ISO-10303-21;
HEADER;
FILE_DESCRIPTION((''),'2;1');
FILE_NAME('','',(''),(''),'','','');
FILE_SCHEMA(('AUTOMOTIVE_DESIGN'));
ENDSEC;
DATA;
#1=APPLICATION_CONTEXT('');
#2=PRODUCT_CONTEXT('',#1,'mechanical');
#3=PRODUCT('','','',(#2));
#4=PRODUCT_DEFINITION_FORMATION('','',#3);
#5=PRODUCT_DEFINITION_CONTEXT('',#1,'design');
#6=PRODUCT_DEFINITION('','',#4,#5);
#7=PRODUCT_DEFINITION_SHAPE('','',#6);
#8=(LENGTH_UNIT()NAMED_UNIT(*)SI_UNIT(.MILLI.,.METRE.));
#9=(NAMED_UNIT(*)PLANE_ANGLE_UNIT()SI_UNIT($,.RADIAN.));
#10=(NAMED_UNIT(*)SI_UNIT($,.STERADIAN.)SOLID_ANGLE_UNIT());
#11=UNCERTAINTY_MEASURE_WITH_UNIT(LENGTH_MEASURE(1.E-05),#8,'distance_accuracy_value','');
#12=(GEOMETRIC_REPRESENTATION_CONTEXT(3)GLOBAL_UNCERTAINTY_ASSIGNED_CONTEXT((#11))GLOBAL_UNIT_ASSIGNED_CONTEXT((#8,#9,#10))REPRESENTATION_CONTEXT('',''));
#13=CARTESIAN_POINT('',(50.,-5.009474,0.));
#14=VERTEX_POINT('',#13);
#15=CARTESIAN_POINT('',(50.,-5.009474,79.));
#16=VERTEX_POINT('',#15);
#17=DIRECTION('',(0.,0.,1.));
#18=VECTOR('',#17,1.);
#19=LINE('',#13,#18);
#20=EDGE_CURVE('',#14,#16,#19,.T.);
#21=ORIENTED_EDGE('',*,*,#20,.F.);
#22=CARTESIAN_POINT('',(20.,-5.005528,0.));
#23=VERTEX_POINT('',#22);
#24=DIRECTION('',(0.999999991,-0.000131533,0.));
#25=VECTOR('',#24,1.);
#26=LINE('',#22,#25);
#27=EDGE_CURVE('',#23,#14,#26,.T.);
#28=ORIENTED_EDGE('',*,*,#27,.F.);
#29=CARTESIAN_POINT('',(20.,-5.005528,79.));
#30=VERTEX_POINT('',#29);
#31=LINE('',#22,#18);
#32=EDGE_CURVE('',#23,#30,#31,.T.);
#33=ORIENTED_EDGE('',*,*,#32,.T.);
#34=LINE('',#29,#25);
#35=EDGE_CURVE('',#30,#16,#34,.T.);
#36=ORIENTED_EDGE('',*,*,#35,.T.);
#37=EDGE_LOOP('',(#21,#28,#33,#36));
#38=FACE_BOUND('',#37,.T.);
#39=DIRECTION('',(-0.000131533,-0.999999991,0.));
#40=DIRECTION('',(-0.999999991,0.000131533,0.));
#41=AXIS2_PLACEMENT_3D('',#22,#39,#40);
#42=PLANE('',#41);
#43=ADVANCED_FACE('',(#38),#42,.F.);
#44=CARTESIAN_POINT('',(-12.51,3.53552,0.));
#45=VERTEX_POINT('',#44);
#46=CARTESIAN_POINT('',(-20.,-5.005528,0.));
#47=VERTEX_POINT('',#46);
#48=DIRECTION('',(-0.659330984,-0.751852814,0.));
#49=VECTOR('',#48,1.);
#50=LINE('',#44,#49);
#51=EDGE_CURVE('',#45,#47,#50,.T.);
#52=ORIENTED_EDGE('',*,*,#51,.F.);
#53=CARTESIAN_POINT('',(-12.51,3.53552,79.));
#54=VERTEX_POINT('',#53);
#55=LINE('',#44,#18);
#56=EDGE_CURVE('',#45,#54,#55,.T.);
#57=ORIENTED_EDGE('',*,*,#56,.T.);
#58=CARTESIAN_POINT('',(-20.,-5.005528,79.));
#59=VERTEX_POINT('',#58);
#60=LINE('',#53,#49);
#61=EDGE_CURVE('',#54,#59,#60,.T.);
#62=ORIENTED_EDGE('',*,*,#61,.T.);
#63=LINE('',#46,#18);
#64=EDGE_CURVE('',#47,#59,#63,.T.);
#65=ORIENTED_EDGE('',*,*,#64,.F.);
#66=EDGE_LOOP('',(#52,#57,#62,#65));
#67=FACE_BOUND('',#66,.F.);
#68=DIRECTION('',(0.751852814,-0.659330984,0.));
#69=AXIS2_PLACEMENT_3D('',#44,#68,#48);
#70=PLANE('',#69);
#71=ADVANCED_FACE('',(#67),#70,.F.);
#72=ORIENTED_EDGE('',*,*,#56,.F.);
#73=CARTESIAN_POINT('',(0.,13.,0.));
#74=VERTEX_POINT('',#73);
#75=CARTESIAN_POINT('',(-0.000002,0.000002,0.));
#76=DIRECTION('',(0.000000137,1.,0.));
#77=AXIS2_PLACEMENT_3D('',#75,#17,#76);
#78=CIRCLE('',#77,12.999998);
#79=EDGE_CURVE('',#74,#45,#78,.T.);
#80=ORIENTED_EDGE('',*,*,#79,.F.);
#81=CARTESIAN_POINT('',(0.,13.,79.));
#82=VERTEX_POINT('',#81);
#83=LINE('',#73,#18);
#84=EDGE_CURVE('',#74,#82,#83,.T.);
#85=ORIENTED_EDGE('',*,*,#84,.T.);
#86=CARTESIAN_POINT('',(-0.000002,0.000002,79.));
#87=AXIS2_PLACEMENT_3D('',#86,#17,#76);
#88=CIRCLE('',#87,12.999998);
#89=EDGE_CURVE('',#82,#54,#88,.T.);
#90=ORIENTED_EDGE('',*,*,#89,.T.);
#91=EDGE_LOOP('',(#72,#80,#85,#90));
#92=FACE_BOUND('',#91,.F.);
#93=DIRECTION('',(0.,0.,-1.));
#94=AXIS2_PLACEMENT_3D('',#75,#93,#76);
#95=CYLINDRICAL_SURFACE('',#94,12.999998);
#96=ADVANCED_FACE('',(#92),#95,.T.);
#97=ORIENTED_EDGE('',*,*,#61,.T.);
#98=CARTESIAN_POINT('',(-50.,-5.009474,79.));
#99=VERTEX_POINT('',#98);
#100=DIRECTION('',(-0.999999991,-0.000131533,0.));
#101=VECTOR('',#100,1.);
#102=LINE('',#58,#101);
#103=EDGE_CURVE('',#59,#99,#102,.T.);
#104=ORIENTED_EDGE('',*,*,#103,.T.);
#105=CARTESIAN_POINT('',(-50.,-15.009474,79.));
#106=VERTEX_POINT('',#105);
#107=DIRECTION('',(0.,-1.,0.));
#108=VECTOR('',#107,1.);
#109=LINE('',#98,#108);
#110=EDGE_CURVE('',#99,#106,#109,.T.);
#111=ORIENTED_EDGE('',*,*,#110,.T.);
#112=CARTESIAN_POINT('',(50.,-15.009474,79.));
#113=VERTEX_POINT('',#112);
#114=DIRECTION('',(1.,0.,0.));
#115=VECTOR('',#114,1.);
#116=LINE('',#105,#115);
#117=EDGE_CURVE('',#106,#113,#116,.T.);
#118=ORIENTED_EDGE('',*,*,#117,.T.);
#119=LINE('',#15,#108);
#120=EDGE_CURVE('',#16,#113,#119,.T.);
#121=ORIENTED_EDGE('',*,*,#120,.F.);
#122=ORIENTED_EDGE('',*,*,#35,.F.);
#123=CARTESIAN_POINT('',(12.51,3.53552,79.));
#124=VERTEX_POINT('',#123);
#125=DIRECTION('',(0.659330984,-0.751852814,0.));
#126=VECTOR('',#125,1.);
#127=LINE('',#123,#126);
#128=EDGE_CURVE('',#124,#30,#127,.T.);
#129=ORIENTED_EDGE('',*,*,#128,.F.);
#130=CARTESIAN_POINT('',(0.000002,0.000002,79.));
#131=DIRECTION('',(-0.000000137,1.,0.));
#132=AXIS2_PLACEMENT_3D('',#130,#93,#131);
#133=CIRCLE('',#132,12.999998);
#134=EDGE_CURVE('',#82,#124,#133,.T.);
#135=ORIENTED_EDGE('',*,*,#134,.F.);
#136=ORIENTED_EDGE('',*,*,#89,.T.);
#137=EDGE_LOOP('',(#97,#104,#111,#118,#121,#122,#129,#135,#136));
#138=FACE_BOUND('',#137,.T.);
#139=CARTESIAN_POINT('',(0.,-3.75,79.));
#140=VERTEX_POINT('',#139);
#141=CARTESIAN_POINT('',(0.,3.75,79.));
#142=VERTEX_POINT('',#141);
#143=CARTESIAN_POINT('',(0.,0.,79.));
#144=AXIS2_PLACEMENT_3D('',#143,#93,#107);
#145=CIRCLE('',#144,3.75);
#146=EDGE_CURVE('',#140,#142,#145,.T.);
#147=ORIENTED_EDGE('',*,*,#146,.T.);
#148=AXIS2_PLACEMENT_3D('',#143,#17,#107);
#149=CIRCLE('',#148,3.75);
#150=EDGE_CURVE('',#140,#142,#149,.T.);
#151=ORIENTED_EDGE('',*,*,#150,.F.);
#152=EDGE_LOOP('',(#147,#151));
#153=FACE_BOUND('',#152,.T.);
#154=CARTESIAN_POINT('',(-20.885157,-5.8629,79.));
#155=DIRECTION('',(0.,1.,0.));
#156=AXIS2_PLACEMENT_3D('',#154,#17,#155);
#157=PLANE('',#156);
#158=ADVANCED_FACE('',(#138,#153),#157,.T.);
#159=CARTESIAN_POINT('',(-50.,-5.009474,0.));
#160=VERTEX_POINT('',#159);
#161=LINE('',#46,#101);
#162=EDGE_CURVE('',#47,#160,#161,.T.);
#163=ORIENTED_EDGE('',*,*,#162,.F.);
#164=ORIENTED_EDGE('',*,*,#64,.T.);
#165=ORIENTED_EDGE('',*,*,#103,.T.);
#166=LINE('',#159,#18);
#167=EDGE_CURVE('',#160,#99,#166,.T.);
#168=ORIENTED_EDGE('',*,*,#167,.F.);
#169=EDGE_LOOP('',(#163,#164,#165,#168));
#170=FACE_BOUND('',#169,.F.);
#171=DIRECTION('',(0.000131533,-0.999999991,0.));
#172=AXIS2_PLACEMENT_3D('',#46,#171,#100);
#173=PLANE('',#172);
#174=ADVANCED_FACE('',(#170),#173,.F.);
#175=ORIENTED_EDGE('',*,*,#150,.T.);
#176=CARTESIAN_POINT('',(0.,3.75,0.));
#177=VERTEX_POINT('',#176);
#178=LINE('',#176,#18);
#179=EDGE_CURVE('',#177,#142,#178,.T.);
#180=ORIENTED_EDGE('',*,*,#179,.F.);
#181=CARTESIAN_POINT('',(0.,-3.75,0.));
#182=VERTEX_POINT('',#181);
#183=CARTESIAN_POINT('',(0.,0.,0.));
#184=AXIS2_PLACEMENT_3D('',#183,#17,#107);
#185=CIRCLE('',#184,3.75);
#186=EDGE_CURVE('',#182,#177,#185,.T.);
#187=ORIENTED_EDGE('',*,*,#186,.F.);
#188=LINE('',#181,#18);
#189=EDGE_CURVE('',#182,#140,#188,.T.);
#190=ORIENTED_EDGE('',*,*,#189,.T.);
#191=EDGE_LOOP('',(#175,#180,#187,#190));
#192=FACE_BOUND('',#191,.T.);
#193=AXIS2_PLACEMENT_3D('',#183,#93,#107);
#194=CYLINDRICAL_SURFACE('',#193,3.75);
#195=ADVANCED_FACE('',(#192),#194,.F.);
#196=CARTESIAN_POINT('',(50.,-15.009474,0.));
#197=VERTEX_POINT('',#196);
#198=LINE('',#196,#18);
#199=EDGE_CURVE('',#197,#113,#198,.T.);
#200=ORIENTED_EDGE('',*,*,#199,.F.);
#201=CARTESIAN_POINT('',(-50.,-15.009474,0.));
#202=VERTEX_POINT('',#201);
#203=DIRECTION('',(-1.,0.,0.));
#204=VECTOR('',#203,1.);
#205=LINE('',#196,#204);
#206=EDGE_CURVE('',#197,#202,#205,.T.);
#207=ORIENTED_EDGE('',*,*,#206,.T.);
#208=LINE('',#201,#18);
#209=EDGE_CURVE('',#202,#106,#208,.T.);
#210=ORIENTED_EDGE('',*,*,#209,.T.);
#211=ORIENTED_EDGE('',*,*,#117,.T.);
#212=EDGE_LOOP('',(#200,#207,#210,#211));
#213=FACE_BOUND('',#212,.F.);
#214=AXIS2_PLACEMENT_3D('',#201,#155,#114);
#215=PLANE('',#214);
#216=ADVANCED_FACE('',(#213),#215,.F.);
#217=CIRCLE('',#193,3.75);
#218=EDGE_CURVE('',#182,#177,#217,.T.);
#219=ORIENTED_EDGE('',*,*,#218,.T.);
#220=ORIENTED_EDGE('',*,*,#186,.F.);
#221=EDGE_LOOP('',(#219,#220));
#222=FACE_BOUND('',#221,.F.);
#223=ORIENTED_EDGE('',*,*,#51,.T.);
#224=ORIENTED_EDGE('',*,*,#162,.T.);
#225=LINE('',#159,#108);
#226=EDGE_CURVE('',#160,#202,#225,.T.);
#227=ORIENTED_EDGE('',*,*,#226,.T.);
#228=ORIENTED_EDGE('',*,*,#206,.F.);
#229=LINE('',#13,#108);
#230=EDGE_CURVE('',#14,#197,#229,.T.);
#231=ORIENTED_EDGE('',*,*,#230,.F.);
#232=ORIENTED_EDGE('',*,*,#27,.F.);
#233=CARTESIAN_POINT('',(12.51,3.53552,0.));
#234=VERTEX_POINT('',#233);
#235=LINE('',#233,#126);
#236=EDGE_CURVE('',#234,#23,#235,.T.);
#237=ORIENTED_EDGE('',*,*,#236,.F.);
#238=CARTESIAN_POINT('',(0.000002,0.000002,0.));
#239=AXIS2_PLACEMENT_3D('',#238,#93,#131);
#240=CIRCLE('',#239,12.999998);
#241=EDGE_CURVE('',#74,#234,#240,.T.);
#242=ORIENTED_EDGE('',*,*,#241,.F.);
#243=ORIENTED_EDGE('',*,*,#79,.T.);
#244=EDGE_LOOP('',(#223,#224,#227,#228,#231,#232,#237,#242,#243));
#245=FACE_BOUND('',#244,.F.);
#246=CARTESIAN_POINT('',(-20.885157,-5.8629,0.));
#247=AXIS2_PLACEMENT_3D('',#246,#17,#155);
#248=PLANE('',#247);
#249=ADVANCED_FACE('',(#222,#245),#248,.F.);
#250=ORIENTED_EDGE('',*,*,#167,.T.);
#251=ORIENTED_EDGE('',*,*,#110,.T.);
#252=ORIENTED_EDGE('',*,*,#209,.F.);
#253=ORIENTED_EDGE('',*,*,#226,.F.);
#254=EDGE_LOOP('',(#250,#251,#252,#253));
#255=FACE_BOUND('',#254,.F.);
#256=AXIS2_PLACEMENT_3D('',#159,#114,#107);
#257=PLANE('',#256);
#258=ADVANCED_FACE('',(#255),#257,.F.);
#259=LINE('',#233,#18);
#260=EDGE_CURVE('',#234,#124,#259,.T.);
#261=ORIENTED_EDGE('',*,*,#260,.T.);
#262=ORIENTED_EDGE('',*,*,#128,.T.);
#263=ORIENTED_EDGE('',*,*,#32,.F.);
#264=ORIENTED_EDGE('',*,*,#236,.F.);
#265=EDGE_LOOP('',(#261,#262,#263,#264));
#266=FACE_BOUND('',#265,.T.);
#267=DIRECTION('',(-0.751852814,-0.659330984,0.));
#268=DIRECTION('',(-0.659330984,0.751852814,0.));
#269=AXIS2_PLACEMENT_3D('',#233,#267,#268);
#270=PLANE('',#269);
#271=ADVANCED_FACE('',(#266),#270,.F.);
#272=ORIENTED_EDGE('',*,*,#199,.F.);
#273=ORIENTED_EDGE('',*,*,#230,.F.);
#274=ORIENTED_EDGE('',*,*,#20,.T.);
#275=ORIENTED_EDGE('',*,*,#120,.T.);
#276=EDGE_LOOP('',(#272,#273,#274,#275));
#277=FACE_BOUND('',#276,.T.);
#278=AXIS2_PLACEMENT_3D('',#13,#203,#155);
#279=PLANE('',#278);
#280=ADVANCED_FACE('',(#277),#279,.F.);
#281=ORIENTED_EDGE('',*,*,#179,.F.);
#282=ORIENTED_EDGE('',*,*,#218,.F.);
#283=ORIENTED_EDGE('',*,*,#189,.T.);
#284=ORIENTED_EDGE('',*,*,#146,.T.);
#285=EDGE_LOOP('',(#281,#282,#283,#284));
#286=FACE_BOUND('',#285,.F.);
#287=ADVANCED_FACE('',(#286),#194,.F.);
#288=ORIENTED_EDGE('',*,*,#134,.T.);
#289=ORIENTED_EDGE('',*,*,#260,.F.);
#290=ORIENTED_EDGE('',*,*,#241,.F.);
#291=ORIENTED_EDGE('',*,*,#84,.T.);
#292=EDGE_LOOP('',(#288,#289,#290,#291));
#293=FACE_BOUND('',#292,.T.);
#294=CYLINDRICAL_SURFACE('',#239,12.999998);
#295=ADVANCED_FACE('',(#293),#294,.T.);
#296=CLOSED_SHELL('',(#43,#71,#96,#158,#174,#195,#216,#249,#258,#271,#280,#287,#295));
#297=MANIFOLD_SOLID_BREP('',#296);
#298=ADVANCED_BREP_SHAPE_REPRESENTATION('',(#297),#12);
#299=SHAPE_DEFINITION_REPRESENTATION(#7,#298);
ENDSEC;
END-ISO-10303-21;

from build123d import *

# Parameters (mm, degrees)
EXTRUDE_DEPTH = 79


with BuildPart() as extrude_pulky:
    # Part__Mirroring → Extrude (new body)
    with BuildSketch(Plane(origin=(-25, -1.004737, 0), x_dir=(0, 1, 0), z_dir=(0, 0, 1))):
        with BuildLine():
            ThreePointArc((14.004737, -25), (11.372036, -17.156587), (4.540257, -12.49))
            Line((4.540257, -12.49), (-4.000791, -5))
            Line((-4.000791, -5), (-4.004737, 25))
            Line((-4.004737, 25), (-14.004737, 25))
            Line((-14.004737, 25), (-14.004737, -25))
            Line((-14.004737, -25), (-2.745263, -25))
            ThreePointArc((-2.745263, -25), (1.004737, -21.25), (4.754737, -25))
            Line((4.754737, -25), (14.004737, -25))
        make_face()
    extrude(amount=EXTRUDE_DEPTH)


with BuildPart() as fusion:
    # Part__Mirroring001: instance of Extrude_pulky
    add(extrude_pulky.part.mirror(Plane(origin=(0, 0, 0), x_dir=(0, -1, 0), z_dir=(1, 0, 0))))

    # Fusion: union Extrude_pulky
    add(extrude_pulky.part)


solid = fusion.part
